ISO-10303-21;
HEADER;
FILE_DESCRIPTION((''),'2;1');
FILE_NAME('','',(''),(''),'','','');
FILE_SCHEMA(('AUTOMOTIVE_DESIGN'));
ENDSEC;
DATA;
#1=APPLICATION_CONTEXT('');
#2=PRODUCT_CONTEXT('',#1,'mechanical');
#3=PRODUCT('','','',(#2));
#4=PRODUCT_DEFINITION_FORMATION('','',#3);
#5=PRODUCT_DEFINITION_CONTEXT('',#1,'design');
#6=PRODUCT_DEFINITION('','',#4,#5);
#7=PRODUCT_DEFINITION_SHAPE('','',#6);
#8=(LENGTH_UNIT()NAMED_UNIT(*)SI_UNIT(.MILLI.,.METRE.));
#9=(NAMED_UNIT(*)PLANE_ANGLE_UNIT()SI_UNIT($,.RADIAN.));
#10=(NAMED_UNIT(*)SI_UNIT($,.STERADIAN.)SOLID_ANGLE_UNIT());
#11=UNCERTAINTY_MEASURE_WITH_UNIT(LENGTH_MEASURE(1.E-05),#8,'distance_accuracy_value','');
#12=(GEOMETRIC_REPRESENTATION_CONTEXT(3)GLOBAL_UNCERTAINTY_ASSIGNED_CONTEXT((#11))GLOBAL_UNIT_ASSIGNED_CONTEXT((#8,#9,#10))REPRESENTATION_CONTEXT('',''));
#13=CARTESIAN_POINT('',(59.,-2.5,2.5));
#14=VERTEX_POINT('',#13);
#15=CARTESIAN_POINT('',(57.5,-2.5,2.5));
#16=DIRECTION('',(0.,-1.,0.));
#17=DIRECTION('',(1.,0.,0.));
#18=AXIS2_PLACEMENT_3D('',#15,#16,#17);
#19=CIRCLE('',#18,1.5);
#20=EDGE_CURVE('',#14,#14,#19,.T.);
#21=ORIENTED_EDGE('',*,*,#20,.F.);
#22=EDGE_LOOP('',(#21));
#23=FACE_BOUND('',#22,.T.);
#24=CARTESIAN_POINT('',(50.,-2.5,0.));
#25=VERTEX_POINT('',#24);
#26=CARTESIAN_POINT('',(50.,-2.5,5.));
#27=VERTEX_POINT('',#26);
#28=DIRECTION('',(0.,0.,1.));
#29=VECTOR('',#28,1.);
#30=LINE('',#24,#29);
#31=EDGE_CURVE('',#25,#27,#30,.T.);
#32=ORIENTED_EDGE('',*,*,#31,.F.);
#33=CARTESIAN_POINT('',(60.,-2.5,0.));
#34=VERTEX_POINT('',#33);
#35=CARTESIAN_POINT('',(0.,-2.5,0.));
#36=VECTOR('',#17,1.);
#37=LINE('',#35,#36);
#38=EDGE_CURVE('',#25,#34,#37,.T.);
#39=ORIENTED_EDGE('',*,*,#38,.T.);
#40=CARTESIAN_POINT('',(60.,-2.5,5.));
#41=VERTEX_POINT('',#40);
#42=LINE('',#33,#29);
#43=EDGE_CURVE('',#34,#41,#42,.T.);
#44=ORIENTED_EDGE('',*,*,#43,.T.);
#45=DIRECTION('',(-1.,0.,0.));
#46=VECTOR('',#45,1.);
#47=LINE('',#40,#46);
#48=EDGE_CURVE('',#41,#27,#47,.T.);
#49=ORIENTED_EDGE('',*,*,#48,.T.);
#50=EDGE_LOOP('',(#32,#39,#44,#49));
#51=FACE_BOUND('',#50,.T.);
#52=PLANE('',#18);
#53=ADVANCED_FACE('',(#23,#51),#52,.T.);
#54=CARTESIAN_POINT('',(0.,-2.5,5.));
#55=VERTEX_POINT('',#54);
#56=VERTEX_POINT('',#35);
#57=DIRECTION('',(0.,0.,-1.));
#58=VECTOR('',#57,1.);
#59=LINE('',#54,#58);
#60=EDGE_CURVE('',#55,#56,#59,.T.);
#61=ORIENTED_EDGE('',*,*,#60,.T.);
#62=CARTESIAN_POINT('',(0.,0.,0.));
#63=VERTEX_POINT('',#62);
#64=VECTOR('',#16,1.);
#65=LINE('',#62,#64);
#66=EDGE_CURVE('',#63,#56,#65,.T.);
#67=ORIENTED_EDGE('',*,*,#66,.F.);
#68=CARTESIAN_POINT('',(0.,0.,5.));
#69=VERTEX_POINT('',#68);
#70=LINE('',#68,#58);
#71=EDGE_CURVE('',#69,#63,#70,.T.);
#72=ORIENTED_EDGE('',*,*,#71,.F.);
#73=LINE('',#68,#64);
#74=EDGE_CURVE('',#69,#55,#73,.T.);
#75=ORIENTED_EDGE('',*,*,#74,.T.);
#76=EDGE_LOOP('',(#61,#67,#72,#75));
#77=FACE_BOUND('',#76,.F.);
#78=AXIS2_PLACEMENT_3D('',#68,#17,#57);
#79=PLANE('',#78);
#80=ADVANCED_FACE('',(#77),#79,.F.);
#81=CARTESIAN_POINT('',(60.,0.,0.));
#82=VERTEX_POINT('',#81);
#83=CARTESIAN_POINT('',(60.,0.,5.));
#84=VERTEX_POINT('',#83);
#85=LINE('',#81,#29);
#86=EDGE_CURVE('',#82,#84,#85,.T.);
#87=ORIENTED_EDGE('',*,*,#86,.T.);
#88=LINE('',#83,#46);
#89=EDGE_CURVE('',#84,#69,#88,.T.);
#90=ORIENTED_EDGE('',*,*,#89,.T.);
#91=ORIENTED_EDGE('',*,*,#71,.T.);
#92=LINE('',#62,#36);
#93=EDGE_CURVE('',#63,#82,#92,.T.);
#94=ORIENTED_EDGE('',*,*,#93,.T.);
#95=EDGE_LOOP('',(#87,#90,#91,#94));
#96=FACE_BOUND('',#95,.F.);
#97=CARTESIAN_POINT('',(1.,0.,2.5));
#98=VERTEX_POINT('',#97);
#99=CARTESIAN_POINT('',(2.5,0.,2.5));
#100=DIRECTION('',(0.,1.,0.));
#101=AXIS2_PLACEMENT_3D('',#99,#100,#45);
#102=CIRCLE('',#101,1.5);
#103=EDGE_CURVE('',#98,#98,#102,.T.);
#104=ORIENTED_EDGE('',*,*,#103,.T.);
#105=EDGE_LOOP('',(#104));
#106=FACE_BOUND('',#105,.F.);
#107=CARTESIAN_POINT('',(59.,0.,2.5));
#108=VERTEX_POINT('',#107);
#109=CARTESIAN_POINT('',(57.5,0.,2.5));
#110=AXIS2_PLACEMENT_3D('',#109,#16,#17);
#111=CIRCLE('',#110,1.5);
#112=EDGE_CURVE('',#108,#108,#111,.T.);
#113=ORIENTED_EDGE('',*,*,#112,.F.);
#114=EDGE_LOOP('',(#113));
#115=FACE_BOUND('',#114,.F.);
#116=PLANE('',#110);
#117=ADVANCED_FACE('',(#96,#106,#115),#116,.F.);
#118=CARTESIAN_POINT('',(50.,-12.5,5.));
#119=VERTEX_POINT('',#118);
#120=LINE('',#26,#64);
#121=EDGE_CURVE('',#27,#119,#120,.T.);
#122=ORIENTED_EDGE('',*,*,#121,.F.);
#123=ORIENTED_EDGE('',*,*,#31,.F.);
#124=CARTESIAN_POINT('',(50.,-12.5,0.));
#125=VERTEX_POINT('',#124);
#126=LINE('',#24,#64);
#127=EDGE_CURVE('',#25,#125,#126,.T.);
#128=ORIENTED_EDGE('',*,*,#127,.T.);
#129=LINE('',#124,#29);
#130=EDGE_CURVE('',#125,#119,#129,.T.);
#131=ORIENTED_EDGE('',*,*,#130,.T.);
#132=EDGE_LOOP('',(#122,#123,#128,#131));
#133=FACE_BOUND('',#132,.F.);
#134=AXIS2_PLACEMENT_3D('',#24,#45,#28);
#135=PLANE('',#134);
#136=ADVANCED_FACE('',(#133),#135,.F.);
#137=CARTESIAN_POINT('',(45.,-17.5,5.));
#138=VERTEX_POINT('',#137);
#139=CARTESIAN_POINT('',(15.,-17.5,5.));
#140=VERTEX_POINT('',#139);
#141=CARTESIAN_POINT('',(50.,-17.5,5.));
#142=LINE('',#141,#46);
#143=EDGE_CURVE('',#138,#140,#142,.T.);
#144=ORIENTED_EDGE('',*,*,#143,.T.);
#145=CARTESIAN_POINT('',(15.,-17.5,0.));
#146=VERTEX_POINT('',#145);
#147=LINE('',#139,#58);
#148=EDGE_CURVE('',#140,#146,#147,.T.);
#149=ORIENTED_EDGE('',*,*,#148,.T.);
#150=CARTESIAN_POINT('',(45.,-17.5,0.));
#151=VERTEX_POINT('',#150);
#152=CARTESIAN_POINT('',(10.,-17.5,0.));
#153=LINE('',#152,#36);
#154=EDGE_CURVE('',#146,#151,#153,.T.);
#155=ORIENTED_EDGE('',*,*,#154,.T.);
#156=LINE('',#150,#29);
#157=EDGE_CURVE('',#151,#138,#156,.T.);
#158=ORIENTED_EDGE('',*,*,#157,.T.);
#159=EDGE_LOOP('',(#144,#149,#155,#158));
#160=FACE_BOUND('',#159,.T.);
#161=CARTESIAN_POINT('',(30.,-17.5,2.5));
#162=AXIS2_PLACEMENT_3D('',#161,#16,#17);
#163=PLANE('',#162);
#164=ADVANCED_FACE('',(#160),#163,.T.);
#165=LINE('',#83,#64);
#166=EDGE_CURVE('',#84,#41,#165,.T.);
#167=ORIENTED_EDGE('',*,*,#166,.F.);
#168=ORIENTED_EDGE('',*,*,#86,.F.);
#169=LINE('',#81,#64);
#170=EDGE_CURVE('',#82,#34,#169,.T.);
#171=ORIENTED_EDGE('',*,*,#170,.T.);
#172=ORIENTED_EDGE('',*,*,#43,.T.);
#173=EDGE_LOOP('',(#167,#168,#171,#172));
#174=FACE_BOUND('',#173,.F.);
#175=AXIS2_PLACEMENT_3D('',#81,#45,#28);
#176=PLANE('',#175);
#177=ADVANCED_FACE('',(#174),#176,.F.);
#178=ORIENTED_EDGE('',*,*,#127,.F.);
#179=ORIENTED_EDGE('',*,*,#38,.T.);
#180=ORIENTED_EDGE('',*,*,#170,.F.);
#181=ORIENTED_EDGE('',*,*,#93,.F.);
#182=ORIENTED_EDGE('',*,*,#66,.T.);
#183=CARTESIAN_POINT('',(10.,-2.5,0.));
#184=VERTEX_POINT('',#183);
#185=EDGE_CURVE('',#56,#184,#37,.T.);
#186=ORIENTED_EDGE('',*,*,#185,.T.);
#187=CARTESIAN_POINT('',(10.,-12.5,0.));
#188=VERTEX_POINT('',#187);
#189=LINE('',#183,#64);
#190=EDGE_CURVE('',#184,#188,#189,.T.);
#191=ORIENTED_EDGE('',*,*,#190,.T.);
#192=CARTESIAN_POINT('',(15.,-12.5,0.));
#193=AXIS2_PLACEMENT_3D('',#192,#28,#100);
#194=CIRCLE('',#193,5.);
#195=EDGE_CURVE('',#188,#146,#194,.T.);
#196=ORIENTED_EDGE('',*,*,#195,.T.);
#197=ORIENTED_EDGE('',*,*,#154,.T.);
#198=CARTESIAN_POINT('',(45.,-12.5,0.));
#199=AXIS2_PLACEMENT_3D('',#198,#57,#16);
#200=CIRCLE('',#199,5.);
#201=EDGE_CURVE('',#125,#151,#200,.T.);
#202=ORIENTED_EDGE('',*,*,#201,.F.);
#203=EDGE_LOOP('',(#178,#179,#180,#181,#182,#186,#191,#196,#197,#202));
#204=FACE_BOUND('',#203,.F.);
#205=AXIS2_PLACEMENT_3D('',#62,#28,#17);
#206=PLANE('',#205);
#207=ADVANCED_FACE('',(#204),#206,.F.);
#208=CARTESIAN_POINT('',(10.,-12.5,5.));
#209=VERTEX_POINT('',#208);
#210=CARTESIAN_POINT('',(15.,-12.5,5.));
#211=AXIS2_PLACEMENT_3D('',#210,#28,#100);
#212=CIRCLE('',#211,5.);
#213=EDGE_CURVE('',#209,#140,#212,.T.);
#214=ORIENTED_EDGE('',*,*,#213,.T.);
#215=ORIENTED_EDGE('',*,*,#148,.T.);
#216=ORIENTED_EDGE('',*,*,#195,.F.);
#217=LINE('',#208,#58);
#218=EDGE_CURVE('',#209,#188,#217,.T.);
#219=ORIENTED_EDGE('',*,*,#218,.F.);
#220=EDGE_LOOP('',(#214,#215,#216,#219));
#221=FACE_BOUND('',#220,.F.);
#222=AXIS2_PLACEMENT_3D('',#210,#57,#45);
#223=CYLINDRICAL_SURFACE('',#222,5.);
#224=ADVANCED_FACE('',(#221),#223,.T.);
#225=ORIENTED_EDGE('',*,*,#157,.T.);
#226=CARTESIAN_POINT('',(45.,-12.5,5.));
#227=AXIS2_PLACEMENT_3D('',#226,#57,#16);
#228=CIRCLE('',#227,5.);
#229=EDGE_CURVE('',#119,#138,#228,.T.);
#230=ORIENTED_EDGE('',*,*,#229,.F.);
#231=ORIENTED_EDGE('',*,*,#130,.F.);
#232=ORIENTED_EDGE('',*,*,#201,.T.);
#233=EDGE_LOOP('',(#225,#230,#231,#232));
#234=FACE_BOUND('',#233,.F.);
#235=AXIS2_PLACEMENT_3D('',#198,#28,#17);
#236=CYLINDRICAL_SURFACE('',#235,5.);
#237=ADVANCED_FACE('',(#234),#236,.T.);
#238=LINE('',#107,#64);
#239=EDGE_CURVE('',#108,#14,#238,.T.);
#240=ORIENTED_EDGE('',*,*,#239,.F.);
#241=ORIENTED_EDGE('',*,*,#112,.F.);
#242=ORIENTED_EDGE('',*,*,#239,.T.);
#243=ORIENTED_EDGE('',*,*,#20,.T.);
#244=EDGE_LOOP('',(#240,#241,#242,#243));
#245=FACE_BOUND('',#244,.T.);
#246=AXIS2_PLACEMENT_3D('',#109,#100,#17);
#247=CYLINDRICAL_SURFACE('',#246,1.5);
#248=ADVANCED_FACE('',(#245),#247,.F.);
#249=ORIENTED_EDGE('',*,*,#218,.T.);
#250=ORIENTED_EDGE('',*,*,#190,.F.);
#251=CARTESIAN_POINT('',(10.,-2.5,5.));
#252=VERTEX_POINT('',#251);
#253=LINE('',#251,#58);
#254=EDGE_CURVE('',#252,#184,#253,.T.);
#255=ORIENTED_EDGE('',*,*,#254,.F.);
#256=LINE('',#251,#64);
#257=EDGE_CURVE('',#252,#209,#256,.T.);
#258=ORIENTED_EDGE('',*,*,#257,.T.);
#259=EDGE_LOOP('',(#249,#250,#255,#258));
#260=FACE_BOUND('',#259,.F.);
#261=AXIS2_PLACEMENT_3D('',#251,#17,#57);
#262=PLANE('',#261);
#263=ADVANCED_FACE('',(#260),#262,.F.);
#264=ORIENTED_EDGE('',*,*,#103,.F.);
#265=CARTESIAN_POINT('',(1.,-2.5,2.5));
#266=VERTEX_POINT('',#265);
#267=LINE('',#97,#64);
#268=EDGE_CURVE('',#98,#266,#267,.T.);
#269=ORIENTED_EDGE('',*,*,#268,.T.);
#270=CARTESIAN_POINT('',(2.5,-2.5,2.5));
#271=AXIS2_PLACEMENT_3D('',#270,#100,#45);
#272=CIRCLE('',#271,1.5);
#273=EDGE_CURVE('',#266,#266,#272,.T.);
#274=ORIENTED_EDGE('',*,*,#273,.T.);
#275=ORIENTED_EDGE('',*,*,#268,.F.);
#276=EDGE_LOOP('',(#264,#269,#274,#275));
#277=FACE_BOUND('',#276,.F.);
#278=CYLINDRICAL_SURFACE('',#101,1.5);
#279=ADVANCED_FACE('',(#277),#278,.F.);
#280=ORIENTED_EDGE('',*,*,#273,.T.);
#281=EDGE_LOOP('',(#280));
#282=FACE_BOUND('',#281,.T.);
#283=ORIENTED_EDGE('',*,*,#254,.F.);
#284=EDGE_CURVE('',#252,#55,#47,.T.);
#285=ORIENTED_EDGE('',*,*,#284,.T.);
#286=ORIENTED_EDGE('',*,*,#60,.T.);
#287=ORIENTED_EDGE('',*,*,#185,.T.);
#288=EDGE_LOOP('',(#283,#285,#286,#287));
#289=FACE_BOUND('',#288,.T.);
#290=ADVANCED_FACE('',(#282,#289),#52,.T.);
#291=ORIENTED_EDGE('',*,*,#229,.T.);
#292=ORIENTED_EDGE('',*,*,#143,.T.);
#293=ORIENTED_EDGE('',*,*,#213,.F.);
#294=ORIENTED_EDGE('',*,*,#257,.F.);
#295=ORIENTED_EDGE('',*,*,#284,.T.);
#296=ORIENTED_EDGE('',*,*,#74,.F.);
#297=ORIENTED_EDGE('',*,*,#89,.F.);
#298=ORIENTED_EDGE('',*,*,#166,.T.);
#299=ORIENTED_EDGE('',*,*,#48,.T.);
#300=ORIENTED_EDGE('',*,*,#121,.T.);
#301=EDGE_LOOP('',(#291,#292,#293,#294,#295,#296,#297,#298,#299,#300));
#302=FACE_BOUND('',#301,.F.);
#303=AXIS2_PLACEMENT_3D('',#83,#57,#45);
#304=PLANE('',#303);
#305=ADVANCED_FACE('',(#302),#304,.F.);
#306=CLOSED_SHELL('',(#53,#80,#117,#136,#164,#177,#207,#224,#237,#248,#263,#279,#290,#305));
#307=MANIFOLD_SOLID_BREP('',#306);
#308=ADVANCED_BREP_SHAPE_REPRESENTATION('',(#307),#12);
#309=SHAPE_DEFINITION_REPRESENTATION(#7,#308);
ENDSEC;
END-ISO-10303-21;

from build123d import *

# Parameters (mm, degrees)
F0_R     = 1.5
F1_DEPTH = 2.5
F3_DEPTH = 15
F4_R     = 5


with BuildPart() as f1:
    # F0 (on Front) → F1 (new body)
    with BuildSketch(Plane.XZ):
        with Locations((57.5, 2.5)):
            Circle(F0_R)
        with BuildLine():
            ThreePointArc((4, 2.5), (2.5, 4), (1, 2.5))
            ThreePointArc((1, 2.5), (2.5, 1), (4, 2.5))
        make_face()
        Polygon((0, 2.5), (0, 0), (60, 0), (60, 2.5), (60, 5), (0, 5), align=None)
        with BuildLine():
            ThreePointArc((4, 2.5), (2.5, 1), (1, 2.5))
            ThreePointArc((1, 2.5), (2.5, 4), (4, 2.5))
        make_face(mode=Mode.SUBTRACT)
        with Locations((57.5, 2.5)):
            Circle(F0_R, mode=Mode.SUBTRACT)
    extrude(amount=F1_DEPTH)

    # F2 (on face) → F3 (join)
    with BuildSketch(Plane.XZ.offset(2.5)):
        Polygon((50, 5), (30, 5), (10, 5), (10, 0), (50, 0), align=None)
    extrude(amount=F3_DEPTH)

    # F4
    f4_edges = [f1.edges().sort_by_distance(p)[0] for p in [
        (10, -17.5, 2.5),
        (50, -17.5, 2.5),
    ]]
    fillet(f4_edges, radius=F4_R)


solid = f1.part
